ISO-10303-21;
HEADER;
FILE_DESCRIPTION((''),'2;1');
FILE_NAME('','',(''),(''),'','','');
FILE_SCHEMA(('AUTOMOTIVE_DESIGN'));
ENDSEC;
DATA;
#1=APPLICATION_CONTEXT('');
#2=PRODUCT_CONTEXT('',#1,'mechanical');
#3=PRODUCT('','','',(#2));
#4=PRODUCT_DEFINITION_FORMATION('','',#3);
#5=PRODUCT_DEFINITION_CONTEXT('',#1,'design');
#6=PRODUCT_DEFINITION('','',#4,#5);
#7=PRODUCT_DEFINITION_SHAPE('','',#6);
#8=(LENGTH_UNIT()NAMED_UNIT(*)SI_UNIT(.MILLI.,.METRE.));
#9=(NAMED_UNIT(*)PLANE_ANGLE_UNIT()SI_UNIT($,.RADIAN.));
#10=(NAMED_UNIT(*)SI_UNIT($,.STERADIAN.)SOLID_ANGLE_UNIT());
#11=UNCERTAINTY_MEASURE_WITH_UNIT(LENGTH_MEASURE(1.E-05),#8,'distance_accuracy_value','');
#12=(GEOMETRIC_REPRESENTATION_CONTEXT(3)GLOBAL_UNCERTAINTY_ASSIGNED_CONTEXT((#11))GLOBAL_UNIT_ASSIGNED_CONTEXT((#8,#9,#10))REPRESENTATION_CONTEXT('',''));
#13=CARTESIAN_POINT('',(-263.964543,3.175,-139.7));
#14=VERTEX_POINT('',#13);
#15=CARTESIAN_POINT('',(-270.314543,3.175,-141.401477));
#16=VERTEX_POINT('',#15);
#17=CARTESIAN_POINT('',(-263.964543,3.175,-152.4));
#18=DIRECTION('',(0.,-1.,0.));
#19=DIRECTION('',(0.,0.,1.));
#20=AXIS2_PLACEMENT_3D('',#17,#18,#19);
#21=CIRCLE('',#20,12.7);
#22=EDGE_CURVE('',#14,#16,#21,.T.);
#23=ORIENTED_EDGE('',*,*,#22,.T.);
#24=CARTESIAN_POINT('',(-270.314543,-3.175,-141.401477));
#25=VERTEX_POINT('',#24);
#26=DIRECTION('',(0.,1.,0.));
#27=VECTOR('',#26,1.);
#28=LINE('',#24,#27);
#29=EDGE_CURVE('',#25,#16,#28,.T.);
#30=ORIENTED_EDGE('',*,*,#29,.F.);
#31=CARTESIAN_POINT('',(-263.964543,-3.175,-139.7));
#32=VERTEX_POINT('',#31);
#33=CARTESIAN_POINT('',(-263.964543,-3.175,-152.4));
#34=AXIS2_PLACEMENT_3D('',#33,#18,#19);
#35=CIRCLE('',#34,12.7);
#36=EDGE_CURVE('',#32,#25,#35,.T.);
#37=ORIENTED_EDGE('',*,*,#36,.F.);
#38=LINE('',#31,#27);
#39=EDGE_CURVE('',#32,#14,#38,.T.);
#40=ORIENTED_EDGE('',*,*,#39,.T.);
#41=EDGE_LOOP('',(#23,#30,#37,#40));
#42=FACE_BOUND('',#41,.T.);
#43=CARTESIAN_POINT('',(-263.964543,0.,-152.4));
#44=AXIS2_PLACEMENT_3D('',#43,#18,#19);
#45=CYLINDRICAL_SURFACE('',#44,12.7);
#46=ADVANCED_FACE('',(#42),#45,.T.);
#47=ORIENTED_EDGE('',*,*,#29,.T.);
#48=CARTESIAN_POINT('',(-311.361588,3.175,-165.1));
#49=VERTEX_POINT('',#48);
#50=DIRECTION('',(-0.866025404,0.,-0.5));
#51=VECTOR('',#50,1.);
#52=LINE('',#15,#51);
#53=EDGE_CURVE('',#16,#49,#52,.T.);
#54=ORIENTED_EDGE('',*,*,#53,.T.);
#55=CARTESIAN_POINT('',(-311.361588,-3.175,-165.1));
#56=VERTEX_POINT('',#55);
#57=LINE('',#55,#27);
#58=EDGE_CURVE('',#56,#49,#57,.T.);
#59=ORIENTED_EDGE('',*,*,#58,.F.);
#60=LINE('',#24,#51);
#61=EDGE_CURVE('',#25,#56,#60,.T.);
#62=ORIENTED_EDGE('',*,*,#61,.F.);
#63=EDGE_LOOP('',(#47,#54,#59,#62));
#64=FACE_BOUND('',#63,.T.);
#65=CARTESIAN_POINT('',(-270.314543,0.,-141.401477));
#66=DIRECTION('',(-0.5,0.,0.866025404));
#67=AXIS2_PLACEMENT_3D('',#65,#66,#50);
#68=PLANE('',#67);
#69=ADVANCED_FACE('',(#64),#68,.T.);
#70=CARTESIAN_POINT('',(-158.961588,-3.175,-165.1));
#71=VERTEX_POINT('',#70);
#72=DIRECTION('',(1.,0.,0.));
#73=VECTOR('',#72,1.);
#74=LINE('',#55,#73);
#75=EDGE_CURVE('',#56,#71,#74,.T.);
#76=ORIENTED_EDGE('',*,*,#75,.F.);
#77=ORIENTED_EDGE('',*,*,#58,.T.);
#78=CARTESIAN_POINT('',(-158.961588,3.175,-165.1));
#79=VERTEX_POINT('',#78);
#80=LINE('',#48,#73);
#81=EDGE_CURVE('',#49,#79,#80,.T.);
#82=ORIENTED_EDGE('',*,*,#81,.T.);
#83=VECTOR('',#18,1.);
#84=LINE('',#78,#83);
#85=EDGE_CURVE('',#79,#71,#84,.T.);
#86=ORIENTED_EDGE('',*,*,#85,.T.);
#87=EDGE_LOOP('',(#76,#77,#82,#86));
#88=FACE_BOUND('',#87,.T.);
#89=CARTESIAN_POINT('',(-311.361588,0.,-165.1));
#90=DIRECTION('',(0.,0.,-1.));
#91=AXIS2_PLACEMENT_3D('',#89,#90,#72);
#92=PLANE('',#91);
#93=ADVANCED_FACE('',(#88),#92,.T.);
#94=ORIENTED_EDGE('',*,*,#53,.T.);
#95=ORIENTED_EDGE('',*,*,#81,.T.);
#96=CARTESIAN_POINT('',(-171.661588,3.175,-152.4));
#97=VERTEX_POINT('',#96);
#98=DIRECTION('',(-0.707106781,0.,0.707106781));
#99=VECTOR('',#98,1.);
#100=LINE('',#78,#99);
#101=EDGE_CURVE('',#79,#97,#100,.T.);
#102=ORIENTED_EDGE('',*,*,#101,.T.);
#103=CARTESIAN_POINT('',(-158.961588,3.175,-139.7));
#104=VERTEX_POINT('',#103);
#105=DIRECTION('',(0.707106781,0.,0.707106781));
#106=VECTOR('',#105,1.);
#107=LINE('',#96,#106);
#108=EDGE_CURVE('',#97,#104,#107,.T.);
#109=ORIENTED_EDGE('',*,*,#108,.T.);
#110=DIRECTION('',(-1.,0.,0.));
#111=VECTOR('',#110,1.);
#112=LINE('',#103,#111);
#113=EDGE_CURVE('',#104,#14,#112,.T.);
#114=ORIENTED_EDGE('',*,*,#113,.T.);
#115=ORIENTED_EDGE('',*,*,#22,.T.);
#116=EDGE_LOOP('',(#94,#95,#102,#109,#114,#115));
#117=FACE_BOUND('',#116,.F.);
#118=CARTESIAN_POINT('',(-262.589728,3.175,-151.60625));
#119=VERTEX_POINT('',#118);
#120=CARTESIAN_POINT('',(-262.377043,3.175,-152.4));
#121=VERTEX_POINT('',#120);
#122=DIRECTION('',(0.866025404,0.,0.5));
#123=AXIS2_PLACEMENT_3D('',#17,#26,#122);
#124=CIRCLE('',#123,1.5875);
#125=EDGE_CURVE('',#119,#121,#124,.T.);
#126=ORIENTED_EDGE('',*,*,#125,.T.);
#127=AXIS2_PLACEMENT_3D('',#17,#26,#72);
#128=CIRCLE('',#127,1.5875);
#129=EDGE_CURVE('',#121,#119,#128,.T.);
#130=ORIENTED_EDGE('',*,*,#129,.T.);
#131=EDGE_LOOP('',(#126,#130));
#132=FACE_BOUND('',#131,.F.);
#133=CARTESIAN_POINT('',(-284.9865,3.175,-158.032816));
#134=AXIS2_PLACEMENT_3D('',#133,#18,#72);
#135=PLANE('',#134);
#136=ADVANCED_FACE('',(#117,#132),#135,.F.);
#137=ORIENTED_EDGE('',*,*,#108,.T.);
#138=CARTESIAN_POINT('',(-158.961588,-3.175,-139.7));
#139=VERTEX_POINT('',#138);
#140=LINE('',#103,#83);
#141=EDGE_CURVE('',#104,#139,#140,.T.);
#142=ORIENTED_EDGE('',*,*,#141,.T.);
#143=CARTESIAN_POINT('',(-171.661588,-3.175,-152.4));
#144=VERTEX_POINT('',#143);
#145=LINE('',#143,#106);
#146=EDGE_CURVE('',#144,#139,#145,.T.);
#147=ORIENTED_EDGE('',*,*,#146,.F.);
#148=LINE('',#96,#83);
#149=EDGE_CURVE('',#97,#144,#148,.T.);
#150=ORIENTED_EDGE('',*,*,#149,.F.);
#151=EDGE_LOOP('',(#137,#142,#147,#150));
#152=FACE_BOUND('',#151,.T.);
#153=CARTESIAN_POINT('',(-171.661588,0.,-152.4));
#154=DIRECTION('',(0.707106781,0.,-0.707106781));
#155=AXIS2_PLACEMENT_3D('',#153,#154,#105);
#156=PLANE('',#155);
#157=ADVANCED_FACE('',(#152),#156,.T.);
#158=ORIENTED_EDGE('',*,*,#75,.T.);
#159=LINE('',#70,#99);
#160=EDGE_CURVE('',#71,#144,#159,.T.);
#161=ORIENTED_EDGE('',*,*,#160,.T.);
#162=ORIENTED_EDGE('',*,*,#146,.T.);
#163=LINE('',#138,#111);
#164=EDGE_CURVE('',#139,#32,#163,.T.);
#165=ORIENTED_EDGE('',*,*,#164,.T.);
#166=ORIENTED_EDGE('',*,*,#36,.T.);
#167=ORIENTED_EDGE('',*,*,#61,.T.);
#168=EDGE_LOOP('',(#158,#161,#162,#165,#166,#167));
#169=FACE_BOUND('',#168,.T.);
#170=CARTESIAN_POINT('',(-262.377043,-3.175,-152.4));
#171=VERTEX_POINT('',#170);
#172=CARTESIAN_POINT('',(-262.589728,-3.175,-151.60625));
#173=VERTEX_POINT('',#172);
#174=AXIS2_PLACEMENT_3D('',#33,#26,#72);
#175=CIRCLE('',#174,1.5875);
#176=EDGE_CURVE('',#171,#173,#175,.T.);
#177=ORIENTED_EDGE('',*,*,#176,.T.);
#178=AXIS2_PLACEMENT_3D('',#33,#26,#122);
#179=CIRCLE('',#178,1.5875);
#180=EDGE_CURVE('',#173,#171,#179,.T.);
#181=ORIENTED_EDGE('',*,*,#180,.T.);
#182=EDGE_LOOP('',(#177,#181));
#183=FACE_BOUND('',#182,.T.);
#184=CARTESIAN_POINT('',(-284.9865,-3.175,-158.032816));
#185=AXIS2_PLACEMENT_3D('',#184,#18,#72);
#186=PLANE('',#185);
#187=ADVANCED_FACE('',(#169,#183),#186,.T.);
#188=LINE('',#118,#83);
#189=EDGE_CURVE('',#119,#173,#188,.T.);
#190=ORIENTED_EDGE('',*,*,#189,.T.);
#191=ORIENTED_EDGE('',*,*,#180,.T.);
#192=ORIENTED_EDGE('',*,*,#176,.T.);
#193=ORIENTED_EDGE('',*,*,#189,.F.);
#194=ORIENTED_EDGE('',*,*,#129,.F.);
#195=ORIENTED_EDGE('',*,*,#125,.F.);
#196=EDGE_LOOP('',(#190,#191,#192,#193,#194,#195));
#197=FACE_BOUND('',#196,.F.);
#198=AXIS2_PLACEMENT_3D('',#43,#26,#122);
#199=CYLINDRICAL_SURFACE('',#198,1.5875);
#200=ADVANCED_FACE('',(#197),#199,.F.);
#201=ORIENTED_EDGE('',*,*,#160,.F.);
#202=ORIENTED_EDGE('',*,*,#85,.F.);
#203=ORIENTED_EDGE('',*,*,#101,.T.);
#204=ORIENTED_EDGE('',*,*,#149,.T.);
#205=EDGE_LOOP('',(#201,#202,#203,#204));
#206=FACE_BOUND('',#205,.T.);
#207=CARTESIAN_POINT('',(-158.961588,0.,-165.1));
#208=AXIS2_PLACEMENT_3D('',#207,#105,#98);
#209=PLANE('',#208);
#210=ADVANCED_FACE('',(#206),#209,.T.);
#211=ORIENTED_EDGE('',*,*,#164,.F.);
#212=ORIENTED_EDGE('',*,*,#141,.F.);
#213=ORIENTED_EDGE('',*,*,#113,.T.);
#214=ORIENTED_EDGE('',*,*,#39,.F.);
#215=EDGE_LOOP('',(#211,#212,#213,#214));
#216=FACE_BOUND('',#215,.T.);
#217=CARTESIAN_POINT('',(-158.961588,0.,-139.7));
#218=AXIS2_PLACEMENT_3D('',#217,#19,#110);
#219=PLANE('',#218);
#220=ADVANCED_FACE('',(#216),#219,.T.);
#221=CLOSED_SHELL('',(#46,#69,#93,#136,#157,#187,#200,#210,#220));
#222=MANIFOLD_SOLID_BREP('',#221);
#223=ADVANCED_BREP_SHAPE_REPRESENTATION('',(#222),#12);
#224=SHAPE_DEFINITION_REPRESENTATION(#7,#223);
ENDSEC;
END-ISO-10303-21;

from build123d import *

# Parameters (mm, degrees)
F1_DEPTH = 3.175


with BuildPart() as f1:
    # F0 (on Front) → F1 (new body, symmetric)
    with BuildSketch(Plane.XZ):
        with BuildLine():
            Line((-311.3615883296, -165.1), (-263.9645430735, -165.1))
            ThreePointArc((-263.9645430735, -165.1), (-276.2318010674, -155.6870018728), (-270.3145430735, -141.4014773719))
            Line((-270.3145430735, -141.4014773719), (-311.3615883296, -165.1))
        make_face()
        with BuildLine():
            ThreePointArc((-257.6145430735, -163.3985226281), (-252.9660204454, -158.75), (-251.2645430735, -152.4))
            Line((-251.2645430735, -152.4), (-262.3770430735, -152.4))
            ThreePointArc((-262.3770430735, -152.4), (-265.4979503227, -152.8108752341), (-262.589727745, -151.60625))
            Line((-262.589727745, -151.60625), (-252.9660204454, -146.05))
            ThreePointArc((-252.9660204454, -146.05), (-257.6145430735, -141.4014773719), (-263.9645430735, -139.7))
            ThreePointArc((-263.9645430735, -139.7), (-267.2515449463, -140.1327420061), (-270.3145430735, -141.4014773719))
            ThreePointArc((-270.3145430735, -141.4014773719), (-276.2318010674, -155.6870018728), (-263.9645430735, -165.1))
            ThreePointArc((-263.9645430735, -165.1), (-260.6775412007, -164.6672579939), (-257.6145430735, -163.3985226281))
        make_face()
        with BuildLine():
            Line((-262.3770430735, -152.4), (-251.2645430735, -152.4))
            ThreePointArc((-251.2645430735, -152.4), (-251.6972850796, -149.1129981272), (-252.9660204454, -146.05))
            Line((-252.9660204454, -146.05), (-262.589727745, -151.60625))
            ThreePointArc((-262.589727745, -151.60625), (-262.4311358243, -151.9891247659), (-262.3770430735, -152.4))
        make_face()
        with BuildLine():
            Line((-238.5645430735, -152.4), (-251.2645430735, -152.4))
            ThreePointArc((-251.2645430735, -152.4), (-252.9660204454, -158.75), (-257.6145430735, -163.3985226281))
            Line((-257.6145430735, -163.3985226281), (-238.5645430735, -152.4))
        make_face()
        with BuildLine():
            ThreePointArc((-263.9645430735, -139.7), (-257.6145430735, -141.4014773719), (-252.9660204454, -146.05))
            Line((-252.9660204454, -146.05), (-241.9674978174, -139.7))
            Line((-241.9674978174, -139.7), (-263.9645430735, -139.7))
        make_face()
        with BuildLine():
            ThreePointArc((-252.9660204454, -146.05), (-251.6972850796, -149.1129981272), (-251.2645430735, -152.4))
            Line((-251.2645430735, -152.4), (-238.5645430735, -152.4))
            Line((-238.5645430735, -152.4), (-216.5674978174, -139.7))
            Line((-216.5674978174, -139.7), (-241.9674978174, -139.7))
            Line((-241.9674978174, -139.7), (-252.9660204454, -146.05))
        make_face()
        Polygon((-216.5674978174, -139.7), (-238.5645430735, -152.4), (-171.6615883296, -152.4), (-158.9615883296, -139.7), align=None)
        with BuildLine():
            Line((-171.6615883296, -152.4), (-238.5645430735, -152.4))
            Line((-238.5645430735, -152.4), (-257.6145430735, -163.3985226281))
            ThreePointArc((-257.6145430735, -163.3985226281), (-260.6775412007, -164.6672579939), (-263.9645430735, -165.1))
            Line((-263.9645430735, -165.1), (-158.9615883296, -165.1))
            Line((-158.9615883296, -165.1), (-171.6615883296, -152.4))
        make_face()
    extrude(amount=F1_DEPTH, both=True)


solid = f1.part
